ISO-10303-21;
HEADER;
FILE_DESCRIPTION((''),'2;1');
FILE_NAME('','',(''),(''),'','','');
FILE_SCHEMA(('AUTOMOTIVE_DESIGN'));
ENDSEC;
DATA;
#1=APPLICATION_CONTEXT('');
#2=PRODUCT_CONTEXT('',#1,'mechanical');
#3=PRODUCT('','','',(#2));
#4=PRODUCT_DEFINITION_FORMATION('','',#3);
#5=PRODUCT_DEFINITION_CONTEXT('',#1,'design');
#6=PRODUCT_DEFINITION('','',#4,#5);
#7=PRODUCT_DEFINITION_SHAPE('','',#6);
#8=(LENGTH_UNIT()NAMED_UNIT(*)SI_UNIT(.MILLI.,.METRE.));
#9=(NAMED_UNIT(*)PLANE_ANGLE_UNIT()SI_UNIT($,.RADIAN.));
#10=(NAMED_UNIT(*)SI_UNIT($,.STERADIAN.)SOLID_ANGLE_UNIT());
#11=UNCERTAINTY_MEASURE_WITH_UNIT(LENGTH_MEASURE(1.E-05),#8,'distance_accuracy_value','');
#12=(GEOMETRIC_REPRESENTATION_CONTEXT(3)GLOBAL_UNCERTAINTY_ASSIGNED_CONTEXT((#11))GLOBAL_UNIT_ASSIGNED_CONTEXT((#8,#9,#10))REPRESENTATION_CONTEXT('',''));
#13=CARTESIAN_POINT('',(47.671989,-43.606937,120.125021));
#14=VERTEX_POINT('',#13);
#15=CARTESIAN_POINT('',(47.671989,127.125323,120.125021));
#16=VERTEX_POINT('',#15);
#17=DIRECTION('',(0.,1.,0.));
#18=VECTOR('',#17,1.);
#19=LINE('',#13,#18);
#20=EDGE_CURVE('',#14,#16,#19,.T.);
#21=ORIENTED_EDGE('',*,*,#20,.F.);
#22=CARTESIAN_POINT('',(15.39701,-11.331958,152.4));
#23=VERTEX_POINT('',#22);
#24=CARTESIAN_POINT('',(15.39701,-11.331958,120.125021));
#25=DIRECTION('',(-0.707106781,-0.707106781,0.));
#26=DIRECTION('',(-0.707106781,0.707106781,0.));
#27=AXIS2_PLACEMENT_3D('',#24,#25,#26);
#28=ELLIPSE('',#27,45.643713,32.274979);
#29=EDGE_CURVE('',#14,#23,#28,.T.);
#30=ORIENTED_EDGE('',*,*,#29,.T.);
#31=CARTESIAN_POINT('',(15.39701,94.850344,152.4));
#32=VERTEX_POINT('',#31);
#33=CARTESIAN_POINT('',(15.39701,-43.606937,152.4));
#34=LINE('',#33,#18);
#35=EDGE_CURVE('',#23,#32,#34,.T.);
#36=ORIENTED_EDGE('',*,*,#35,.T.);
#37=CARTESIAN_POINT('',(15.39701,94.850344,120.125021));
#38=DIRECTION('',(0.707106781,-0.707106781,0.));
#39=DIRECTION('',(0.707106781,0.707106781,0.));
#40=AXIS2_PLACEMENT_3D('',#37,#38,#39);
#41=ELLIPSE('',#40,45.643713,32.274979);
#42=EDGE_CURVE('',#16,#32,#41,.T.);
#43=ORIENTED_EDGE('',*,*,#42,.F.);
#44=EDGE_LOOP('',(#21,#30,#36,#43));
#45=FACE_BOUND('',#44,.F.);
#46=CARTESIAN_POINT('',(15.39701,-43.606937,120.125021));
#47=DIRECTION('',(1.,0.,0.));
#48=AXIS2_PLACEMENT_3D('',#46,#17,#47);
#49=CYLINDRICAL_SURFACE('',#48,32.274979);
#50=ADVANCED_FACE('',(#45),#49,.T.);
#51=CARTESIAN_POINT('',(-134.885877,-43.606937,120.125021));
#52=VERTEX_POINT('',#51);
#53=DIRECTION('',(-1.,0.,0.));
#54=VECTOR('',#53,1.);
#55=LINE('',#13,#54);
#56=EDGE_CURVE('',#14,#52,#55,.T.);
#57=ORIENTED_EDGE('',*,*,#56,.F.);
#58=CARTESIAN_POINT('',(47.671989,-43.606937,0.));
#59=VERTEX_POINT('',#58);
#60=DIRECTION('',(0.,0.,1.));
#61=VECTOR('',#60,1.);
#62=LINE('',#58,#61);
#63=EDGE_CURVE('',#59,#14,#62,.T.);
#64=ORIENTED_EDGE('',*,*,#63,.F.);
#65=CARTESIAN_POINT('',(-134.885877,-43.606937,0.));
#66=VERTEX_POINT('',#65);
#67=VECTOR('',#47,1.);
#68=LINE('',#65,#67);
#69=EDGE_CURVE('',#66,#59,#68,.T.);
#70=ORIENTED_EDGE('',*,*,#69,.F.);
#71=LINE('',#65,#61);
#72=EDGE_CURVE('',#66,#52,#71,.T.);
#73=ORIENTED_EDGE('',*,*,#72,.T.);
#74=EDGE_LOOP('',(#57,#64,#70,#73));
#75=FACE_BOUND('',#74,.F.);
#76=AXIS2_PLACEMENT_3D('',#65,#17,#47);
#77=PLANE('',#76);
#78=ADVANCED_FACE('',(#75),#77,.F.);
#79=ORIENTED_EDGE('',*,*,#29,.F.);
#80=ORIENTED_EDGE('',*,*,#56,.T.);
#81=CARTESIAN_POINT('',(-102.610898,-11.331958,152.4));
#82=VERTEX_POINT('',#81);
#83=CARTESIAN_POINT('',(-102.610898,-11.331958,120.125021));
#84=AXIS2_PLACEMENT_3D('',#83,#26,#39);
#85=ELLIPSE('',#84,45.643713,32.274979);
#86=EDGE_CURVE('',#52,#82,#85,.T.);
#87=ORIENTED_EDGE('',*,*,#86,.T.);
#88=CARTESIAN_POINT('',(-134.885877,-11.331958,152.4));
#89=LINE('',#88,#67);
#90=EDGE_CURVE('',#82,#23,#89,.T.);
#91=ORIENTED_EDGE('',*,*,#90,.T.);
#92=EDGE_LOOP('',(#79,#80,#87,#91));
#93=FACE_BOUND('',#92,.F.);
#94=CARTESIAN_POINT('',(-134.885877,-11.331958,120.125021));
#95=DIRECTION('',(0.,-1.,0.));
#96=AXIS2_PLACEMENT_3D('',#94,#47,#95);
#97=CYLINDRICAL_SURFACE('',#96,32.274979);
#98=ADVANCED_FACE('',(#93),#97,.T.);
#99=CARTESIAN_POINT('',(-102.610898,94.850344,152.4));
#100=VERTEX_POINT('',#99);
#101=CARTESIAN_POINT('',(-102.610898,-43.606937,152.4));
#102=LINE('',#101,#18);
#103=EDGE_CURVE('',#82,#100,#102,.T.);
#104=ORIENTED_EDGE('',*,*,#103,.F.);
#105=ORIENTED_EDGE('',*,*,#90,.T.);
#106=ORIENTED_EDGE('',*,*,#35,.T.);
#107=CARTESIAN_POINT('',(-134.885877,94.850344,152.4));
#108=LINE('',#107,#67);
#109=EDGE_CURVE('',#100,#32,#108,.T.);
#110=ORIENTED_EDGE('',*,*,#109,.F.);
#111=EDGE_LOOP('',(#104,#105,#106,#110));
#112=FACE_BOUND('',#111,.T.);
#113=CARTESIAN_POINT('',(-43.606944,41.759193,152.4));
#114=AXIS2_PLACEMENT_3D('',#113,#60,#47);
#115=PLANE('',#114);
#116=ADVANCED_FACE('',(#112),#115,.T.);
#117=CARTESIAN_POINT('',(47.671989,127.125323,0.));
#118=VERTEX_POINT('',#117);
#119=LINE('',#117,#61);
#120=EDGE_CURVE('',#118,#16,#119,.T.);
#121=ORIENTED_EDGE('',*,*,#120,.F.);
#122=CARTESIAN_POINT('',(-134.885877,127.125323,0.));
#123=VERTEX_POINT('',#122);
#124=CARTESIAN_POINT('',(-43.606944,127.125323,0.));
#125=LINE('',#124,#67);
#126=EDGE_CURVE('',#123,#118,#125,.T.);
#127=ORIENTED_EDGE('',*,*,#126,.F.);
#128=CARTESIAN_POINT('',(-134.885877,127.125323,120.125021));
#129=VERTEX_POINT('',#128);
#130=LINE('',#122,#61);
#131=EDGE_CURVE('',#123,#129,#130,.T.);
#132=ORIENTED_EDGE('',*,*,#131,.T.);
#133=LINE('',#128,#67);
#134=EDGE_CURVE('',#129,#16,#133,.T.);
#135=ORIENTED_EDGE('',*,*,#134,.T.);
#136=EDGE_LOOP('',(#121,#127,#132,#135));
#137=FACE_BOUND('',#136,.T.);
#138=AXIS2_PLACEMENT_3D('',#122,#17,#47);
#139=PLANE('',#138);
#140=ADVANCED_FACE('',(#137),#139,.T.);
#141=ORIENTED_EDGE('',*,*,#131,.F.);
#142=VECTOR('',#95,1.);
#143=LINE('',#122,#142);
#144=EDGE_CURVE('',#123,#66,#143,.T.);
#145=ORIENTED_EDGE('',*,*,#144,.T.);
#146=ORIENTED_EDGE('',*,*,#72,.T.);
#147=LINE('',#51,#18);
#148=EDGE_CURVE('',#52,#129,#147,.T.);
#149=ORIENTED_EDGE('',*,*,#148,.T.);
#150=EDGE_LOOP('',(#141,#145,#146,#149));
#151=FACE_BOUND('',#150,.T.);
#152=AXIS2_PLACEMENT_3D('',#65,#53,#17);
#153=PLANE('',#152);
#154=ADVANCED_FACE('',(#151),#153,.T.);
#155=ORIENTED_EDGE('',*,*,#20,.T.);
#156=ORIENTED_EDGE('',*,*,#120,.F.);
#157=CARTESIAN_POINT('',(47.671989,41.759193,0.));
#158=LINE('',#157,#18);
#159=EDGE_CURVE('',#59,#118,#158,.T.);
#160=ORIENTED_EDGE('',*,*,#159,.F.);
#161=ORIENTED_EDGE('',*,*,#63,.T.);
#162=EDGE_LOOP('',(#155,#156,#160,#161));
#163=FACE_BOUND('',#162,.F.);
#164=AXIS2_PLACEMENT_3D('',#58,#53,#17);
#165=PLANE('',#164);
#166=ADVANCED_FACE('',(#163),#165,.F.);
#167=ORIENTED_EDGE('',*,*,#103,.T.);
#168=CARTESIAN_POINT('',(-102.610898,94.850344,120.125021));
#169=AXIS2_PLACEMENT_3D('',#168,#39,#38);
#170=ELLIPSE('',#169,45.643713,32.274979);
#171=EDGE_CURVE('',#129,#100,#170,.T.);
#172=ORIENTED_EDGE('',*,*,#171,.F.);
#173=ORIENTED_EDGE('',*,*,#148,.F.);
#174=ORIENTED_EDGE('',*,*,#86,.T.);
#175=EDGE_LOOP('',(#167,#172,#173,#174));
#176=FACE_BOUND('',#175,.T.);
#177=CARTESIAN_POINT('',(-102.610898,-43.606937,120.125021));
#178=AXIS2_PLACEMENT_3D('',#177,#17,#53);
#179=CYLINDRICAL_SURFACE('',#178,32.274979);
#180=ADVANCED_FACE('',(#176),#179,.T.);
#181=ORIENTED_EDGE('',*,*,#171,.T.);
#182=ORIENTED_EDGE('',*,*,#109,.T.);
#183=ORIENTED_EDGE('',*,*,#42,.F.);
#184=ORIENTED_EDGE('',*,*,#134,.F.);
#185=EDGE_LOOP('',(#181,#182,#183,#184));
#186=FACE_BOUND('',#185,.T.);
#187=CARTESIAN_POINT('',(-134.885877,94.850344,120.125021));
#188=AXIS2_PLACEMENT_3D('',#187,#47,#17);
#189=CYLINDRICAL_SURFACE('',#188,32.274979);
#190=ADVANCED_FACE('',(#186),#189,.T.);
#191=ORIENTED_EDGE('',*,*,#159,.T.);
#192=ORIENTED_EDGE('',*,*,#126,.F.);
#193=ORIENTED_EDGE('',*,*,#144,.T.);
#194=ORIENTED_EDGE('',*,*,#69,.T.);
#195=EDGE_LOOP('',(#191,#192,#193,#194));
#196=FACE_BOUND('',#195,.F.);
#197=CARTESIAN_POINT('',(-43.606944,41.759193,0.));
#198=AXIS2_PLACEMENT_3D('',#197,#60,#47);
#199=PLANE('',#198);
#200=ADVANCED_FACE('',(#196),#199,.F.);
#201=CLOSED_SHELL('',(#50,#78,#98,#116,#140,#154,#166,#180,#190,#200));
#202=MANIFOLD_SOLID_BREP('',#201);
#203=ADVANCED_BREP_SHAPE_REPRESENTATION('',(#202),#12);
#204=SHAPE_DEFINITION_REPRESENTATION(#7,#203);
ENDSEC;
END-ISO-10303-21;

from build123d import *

# Parameters (mm, degrees)
F0_W     = 182.557866
F0_H     = 170.73226
F2_DEPTH = 152.4
F3_R     = 32.274979
F4_DEPTH = 187.378392


with BuildPart() as f2:
    # F0 (on Top) → F2 (new body)
    with BuildSketch(Plane.XY):
        with Locations((-43.606944, 41.759193)):
            Rectangle(F0_W, F0_H)
    extrude(amount=F2_DEPTH)

    # F3
    f3_edges = [f2.edges().sort_by_distance(p)[0] for p in [
        (-43.606944, 127.125323, 152.4),
        (47.671989, 41.759193, 152.4),
        (-43.606944, -43.606937, 152.4),
        (-134.885877, 41.759193, 152.4),
    ]]
    fillet(f3_edges, radius=F3_R)

    # F1 (on face) → F4 (cut)
    with BuildSketch(Plane.XY):
        Polygon((-134.885877, -43.606937), (-134.885877, 80.69703), (-209.891543, 80.69703), (-209.891543, -80.69703), (0, -80.69703), (0, -43.606937), align=None)
    extrude(amount=F4_DEPTH, mode=Mode.SUBTRACT)


solid = f2.part
